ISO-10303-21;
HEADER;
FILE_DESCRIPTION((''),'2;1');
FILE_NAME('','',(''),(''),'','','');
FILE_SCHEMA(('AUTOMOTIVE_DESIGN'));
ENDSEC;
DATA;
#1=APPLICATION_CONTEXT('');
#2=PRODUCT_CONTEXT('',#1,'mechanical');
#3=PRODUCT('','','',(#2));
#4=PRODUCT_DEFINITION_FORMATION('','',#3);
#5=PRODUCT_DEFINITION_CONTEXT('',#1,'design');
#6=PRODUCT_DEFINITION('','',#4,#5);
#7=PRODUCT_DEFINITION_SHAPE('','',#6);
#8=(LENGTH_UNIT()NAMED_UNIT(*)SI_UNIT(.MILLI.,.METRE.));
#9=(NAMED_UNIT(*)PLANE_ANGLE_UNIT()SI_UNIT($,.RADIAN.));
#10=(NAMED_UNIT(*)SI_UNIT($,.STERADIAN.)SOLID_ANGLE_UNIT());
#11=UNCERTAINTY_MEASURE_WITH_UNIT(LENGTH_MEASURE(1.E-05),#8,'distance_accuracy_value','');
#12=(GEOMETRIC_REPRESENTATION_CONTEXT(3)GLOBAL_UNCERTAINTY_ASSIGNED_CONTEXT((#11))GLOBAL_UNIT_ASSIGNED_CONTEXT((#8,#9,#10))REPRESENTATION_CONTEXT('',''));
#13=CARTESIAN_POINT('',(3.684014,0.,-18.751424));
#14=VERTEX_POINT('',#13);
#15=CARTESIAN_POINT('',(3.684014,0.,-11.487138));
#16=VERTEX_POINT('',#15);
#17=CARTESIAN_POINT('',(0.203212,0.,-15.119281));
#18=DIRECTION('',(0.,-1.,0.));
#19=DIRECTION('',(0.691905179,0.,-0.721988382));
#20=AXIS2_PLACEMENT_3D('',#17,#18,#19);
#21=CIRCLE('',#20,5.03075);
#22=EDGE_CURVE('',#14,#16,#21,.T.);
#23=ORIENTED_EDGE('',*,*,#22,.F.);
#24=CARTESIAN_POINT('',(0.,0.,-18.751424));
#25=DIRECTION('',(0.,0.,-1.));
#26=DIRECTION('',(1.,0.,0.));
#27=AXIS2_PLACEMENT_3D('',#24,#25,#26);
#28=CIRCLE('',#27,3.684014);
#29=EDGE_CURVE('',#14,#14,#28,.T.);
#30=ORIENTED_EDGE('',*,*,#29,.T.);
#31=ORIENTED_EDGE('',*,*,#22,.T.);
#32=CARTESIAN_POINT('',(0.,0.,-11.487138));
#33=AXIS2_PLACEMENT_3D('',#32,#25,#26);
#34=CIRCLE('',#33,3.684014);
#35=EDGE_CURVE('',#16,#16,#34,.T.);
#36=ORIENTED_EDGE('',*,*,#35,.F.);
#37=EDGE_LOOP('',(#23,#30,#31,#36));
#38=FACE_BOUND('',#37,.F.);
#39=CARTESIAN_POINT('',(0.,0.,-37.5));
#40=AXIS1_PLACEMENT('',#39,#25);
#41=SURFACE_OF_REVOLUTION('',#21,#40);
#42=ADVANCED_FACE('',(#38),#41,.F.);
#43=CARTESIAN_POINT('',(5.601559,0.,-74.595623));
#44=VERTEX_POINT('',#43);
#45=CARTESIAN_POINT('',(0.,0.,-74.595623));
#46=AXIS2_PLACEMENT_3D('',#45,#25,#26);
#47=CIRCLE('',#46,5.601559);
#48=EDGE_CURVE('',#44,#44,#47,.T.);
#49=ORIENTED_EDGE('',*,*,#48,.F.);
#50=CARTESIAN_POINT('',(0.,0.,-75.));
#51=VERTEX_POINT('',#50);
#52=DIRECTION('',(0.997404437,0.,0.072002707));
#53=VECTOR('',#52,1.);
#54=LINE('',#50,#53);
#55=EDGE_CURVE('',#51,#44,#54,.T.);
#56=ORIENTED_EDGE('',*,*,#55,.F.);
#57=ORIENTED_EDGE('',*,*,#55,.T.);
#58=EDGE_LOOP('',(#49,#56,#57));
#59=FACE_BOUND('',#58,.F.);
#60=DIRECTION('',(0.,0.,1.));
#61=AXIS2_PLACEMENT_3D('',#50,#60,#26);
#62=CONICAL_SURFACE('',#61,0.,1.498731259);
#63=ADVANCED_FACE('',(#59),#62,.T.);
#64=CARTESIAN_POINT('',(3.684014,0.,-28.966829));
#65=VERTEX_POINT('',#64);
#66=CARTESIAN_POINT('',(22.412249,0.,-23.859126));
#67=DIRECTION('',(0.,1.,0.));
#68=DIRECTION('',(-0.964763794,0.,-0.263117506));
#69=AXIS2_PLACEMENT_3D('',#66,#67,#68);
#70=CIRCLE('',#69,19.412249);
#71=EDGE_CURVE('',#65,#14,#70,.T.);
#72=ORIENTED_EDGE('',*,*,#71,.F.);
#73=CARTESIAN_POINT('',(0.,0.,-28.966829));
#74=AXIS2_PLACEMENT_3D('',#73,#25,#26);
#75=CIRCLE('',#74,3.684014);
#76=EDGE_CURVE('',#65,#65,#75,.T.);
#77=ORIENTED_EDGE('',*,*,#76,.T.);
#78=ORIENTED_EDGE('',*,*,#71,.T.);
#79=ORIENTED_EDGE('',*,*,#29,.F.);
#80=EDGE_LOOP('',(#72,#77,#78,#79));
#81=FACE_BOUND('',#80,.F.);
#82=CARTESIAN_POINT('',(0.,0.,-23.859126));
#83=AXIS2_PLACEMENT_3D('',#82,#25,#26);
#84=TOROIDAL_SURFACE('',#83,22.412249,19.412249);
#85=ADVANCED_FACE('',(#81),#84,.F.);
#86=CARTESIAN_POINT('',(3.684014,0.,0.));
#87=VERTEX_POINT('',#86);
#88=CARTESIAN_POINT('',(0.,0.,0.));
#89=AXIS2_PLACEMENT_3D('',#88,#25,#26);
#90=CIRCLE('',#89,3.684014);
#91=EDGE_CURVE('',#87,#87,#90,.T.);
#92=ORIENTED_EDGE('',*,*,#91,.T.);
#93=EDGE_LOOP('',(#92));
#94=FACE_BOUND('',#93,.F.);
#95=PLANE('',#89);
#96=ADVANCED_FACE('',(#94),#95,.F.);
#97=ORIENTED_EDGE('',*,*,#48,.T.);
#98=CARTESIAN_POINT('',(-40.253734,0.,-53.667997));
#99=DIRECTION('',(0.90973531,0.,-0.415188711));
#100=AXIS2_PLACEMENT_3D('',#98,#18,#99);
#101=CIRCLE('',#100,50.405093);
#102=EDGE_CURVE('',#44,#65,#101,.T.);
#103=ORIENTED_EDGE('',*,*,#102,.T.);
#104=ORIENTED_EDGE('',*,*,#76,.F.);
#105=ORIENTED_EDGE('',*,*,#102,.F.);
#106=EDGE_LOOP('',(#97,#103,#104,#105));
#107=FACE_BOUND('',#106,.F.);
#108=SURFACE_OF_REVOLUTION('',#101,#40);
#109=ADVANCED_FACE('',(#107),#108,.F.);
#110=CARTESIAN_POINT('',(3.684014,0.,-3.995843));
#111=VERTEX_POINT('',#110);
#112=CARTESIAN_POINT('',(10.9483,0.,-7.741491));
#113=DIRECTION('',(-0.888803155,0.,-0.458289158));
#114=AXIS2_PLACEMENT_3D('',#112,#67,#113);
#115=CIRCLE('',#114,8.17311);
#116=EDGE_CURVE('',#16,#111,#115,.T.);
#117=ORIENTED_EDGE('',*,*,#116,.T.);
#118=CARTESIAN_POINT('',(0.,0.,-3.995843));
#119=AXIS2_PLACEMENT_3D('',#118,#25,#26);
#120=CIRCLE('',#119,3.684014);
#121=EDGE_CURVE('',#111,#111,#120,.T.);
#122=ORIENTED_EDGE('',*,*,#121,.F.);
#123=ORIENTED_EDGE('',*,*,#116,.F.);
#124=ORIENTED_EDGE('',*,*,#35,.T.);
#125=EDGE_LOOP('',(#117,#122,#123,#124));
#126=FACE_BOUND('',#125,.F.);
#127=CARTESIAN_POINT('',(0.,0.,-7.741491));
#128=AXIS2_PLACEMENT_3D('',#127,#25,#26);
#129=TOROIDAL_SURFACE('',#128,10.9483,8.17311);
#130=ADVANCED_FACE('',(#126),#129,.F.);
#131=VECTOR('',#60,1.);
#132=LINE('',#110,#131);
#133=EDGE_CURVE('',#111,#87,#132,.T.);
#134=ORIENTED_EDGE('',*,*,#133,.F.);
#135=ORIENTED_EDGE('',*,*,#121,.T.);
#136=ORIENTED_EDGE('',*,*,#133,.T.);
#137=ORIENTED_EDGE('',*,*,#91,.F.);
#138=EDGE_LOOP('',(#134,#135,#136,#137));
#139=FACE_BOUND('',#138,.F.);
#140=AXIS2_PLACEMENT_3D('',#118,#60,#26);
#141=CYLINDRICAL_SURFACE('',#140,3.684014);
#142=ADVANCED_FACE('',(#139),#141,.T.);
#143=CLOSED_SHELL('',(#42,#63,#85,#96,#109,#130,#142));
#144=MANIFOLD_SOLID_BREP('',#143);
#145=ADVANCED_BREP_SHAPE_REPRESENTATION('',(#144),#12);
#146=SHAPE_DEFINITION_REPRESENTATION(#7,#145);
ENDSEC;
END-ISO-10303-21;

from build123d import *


with BuildPart() as f1:
    # F0 (on Front) → F1 (revolve)
    with BuildSketch(Plane.XZ):
        with BuildLine():
            Line((3.684014, 0), (0, 0))
            Line((0, 0), (0, -75))
            Line((0, -75), (5.601559, -74.595623))
            ThreePointArc((5.601559, -74.595623), (10.106908, -51.551597), (3.684014, -28.966829))
            ThreePointArc((3.684014, -28.966829), (3, -23.859126), (3.684014, -18.751424))
            ThreePointArc((3.684014, -18.751424), (5.233962, -15.119281), (3.684014, -11.487138))
            ThreePointArc((3.684014, -11.487138), (2.77519, -7.741491), (3.684014, -3.995843))
            Line((3.684014, -3.995843), (3.684014, 0))
        make_face()
    revolve(axis=Axis((0, 0, -37.5), (0, 0, -1)))


solid = f1.part
